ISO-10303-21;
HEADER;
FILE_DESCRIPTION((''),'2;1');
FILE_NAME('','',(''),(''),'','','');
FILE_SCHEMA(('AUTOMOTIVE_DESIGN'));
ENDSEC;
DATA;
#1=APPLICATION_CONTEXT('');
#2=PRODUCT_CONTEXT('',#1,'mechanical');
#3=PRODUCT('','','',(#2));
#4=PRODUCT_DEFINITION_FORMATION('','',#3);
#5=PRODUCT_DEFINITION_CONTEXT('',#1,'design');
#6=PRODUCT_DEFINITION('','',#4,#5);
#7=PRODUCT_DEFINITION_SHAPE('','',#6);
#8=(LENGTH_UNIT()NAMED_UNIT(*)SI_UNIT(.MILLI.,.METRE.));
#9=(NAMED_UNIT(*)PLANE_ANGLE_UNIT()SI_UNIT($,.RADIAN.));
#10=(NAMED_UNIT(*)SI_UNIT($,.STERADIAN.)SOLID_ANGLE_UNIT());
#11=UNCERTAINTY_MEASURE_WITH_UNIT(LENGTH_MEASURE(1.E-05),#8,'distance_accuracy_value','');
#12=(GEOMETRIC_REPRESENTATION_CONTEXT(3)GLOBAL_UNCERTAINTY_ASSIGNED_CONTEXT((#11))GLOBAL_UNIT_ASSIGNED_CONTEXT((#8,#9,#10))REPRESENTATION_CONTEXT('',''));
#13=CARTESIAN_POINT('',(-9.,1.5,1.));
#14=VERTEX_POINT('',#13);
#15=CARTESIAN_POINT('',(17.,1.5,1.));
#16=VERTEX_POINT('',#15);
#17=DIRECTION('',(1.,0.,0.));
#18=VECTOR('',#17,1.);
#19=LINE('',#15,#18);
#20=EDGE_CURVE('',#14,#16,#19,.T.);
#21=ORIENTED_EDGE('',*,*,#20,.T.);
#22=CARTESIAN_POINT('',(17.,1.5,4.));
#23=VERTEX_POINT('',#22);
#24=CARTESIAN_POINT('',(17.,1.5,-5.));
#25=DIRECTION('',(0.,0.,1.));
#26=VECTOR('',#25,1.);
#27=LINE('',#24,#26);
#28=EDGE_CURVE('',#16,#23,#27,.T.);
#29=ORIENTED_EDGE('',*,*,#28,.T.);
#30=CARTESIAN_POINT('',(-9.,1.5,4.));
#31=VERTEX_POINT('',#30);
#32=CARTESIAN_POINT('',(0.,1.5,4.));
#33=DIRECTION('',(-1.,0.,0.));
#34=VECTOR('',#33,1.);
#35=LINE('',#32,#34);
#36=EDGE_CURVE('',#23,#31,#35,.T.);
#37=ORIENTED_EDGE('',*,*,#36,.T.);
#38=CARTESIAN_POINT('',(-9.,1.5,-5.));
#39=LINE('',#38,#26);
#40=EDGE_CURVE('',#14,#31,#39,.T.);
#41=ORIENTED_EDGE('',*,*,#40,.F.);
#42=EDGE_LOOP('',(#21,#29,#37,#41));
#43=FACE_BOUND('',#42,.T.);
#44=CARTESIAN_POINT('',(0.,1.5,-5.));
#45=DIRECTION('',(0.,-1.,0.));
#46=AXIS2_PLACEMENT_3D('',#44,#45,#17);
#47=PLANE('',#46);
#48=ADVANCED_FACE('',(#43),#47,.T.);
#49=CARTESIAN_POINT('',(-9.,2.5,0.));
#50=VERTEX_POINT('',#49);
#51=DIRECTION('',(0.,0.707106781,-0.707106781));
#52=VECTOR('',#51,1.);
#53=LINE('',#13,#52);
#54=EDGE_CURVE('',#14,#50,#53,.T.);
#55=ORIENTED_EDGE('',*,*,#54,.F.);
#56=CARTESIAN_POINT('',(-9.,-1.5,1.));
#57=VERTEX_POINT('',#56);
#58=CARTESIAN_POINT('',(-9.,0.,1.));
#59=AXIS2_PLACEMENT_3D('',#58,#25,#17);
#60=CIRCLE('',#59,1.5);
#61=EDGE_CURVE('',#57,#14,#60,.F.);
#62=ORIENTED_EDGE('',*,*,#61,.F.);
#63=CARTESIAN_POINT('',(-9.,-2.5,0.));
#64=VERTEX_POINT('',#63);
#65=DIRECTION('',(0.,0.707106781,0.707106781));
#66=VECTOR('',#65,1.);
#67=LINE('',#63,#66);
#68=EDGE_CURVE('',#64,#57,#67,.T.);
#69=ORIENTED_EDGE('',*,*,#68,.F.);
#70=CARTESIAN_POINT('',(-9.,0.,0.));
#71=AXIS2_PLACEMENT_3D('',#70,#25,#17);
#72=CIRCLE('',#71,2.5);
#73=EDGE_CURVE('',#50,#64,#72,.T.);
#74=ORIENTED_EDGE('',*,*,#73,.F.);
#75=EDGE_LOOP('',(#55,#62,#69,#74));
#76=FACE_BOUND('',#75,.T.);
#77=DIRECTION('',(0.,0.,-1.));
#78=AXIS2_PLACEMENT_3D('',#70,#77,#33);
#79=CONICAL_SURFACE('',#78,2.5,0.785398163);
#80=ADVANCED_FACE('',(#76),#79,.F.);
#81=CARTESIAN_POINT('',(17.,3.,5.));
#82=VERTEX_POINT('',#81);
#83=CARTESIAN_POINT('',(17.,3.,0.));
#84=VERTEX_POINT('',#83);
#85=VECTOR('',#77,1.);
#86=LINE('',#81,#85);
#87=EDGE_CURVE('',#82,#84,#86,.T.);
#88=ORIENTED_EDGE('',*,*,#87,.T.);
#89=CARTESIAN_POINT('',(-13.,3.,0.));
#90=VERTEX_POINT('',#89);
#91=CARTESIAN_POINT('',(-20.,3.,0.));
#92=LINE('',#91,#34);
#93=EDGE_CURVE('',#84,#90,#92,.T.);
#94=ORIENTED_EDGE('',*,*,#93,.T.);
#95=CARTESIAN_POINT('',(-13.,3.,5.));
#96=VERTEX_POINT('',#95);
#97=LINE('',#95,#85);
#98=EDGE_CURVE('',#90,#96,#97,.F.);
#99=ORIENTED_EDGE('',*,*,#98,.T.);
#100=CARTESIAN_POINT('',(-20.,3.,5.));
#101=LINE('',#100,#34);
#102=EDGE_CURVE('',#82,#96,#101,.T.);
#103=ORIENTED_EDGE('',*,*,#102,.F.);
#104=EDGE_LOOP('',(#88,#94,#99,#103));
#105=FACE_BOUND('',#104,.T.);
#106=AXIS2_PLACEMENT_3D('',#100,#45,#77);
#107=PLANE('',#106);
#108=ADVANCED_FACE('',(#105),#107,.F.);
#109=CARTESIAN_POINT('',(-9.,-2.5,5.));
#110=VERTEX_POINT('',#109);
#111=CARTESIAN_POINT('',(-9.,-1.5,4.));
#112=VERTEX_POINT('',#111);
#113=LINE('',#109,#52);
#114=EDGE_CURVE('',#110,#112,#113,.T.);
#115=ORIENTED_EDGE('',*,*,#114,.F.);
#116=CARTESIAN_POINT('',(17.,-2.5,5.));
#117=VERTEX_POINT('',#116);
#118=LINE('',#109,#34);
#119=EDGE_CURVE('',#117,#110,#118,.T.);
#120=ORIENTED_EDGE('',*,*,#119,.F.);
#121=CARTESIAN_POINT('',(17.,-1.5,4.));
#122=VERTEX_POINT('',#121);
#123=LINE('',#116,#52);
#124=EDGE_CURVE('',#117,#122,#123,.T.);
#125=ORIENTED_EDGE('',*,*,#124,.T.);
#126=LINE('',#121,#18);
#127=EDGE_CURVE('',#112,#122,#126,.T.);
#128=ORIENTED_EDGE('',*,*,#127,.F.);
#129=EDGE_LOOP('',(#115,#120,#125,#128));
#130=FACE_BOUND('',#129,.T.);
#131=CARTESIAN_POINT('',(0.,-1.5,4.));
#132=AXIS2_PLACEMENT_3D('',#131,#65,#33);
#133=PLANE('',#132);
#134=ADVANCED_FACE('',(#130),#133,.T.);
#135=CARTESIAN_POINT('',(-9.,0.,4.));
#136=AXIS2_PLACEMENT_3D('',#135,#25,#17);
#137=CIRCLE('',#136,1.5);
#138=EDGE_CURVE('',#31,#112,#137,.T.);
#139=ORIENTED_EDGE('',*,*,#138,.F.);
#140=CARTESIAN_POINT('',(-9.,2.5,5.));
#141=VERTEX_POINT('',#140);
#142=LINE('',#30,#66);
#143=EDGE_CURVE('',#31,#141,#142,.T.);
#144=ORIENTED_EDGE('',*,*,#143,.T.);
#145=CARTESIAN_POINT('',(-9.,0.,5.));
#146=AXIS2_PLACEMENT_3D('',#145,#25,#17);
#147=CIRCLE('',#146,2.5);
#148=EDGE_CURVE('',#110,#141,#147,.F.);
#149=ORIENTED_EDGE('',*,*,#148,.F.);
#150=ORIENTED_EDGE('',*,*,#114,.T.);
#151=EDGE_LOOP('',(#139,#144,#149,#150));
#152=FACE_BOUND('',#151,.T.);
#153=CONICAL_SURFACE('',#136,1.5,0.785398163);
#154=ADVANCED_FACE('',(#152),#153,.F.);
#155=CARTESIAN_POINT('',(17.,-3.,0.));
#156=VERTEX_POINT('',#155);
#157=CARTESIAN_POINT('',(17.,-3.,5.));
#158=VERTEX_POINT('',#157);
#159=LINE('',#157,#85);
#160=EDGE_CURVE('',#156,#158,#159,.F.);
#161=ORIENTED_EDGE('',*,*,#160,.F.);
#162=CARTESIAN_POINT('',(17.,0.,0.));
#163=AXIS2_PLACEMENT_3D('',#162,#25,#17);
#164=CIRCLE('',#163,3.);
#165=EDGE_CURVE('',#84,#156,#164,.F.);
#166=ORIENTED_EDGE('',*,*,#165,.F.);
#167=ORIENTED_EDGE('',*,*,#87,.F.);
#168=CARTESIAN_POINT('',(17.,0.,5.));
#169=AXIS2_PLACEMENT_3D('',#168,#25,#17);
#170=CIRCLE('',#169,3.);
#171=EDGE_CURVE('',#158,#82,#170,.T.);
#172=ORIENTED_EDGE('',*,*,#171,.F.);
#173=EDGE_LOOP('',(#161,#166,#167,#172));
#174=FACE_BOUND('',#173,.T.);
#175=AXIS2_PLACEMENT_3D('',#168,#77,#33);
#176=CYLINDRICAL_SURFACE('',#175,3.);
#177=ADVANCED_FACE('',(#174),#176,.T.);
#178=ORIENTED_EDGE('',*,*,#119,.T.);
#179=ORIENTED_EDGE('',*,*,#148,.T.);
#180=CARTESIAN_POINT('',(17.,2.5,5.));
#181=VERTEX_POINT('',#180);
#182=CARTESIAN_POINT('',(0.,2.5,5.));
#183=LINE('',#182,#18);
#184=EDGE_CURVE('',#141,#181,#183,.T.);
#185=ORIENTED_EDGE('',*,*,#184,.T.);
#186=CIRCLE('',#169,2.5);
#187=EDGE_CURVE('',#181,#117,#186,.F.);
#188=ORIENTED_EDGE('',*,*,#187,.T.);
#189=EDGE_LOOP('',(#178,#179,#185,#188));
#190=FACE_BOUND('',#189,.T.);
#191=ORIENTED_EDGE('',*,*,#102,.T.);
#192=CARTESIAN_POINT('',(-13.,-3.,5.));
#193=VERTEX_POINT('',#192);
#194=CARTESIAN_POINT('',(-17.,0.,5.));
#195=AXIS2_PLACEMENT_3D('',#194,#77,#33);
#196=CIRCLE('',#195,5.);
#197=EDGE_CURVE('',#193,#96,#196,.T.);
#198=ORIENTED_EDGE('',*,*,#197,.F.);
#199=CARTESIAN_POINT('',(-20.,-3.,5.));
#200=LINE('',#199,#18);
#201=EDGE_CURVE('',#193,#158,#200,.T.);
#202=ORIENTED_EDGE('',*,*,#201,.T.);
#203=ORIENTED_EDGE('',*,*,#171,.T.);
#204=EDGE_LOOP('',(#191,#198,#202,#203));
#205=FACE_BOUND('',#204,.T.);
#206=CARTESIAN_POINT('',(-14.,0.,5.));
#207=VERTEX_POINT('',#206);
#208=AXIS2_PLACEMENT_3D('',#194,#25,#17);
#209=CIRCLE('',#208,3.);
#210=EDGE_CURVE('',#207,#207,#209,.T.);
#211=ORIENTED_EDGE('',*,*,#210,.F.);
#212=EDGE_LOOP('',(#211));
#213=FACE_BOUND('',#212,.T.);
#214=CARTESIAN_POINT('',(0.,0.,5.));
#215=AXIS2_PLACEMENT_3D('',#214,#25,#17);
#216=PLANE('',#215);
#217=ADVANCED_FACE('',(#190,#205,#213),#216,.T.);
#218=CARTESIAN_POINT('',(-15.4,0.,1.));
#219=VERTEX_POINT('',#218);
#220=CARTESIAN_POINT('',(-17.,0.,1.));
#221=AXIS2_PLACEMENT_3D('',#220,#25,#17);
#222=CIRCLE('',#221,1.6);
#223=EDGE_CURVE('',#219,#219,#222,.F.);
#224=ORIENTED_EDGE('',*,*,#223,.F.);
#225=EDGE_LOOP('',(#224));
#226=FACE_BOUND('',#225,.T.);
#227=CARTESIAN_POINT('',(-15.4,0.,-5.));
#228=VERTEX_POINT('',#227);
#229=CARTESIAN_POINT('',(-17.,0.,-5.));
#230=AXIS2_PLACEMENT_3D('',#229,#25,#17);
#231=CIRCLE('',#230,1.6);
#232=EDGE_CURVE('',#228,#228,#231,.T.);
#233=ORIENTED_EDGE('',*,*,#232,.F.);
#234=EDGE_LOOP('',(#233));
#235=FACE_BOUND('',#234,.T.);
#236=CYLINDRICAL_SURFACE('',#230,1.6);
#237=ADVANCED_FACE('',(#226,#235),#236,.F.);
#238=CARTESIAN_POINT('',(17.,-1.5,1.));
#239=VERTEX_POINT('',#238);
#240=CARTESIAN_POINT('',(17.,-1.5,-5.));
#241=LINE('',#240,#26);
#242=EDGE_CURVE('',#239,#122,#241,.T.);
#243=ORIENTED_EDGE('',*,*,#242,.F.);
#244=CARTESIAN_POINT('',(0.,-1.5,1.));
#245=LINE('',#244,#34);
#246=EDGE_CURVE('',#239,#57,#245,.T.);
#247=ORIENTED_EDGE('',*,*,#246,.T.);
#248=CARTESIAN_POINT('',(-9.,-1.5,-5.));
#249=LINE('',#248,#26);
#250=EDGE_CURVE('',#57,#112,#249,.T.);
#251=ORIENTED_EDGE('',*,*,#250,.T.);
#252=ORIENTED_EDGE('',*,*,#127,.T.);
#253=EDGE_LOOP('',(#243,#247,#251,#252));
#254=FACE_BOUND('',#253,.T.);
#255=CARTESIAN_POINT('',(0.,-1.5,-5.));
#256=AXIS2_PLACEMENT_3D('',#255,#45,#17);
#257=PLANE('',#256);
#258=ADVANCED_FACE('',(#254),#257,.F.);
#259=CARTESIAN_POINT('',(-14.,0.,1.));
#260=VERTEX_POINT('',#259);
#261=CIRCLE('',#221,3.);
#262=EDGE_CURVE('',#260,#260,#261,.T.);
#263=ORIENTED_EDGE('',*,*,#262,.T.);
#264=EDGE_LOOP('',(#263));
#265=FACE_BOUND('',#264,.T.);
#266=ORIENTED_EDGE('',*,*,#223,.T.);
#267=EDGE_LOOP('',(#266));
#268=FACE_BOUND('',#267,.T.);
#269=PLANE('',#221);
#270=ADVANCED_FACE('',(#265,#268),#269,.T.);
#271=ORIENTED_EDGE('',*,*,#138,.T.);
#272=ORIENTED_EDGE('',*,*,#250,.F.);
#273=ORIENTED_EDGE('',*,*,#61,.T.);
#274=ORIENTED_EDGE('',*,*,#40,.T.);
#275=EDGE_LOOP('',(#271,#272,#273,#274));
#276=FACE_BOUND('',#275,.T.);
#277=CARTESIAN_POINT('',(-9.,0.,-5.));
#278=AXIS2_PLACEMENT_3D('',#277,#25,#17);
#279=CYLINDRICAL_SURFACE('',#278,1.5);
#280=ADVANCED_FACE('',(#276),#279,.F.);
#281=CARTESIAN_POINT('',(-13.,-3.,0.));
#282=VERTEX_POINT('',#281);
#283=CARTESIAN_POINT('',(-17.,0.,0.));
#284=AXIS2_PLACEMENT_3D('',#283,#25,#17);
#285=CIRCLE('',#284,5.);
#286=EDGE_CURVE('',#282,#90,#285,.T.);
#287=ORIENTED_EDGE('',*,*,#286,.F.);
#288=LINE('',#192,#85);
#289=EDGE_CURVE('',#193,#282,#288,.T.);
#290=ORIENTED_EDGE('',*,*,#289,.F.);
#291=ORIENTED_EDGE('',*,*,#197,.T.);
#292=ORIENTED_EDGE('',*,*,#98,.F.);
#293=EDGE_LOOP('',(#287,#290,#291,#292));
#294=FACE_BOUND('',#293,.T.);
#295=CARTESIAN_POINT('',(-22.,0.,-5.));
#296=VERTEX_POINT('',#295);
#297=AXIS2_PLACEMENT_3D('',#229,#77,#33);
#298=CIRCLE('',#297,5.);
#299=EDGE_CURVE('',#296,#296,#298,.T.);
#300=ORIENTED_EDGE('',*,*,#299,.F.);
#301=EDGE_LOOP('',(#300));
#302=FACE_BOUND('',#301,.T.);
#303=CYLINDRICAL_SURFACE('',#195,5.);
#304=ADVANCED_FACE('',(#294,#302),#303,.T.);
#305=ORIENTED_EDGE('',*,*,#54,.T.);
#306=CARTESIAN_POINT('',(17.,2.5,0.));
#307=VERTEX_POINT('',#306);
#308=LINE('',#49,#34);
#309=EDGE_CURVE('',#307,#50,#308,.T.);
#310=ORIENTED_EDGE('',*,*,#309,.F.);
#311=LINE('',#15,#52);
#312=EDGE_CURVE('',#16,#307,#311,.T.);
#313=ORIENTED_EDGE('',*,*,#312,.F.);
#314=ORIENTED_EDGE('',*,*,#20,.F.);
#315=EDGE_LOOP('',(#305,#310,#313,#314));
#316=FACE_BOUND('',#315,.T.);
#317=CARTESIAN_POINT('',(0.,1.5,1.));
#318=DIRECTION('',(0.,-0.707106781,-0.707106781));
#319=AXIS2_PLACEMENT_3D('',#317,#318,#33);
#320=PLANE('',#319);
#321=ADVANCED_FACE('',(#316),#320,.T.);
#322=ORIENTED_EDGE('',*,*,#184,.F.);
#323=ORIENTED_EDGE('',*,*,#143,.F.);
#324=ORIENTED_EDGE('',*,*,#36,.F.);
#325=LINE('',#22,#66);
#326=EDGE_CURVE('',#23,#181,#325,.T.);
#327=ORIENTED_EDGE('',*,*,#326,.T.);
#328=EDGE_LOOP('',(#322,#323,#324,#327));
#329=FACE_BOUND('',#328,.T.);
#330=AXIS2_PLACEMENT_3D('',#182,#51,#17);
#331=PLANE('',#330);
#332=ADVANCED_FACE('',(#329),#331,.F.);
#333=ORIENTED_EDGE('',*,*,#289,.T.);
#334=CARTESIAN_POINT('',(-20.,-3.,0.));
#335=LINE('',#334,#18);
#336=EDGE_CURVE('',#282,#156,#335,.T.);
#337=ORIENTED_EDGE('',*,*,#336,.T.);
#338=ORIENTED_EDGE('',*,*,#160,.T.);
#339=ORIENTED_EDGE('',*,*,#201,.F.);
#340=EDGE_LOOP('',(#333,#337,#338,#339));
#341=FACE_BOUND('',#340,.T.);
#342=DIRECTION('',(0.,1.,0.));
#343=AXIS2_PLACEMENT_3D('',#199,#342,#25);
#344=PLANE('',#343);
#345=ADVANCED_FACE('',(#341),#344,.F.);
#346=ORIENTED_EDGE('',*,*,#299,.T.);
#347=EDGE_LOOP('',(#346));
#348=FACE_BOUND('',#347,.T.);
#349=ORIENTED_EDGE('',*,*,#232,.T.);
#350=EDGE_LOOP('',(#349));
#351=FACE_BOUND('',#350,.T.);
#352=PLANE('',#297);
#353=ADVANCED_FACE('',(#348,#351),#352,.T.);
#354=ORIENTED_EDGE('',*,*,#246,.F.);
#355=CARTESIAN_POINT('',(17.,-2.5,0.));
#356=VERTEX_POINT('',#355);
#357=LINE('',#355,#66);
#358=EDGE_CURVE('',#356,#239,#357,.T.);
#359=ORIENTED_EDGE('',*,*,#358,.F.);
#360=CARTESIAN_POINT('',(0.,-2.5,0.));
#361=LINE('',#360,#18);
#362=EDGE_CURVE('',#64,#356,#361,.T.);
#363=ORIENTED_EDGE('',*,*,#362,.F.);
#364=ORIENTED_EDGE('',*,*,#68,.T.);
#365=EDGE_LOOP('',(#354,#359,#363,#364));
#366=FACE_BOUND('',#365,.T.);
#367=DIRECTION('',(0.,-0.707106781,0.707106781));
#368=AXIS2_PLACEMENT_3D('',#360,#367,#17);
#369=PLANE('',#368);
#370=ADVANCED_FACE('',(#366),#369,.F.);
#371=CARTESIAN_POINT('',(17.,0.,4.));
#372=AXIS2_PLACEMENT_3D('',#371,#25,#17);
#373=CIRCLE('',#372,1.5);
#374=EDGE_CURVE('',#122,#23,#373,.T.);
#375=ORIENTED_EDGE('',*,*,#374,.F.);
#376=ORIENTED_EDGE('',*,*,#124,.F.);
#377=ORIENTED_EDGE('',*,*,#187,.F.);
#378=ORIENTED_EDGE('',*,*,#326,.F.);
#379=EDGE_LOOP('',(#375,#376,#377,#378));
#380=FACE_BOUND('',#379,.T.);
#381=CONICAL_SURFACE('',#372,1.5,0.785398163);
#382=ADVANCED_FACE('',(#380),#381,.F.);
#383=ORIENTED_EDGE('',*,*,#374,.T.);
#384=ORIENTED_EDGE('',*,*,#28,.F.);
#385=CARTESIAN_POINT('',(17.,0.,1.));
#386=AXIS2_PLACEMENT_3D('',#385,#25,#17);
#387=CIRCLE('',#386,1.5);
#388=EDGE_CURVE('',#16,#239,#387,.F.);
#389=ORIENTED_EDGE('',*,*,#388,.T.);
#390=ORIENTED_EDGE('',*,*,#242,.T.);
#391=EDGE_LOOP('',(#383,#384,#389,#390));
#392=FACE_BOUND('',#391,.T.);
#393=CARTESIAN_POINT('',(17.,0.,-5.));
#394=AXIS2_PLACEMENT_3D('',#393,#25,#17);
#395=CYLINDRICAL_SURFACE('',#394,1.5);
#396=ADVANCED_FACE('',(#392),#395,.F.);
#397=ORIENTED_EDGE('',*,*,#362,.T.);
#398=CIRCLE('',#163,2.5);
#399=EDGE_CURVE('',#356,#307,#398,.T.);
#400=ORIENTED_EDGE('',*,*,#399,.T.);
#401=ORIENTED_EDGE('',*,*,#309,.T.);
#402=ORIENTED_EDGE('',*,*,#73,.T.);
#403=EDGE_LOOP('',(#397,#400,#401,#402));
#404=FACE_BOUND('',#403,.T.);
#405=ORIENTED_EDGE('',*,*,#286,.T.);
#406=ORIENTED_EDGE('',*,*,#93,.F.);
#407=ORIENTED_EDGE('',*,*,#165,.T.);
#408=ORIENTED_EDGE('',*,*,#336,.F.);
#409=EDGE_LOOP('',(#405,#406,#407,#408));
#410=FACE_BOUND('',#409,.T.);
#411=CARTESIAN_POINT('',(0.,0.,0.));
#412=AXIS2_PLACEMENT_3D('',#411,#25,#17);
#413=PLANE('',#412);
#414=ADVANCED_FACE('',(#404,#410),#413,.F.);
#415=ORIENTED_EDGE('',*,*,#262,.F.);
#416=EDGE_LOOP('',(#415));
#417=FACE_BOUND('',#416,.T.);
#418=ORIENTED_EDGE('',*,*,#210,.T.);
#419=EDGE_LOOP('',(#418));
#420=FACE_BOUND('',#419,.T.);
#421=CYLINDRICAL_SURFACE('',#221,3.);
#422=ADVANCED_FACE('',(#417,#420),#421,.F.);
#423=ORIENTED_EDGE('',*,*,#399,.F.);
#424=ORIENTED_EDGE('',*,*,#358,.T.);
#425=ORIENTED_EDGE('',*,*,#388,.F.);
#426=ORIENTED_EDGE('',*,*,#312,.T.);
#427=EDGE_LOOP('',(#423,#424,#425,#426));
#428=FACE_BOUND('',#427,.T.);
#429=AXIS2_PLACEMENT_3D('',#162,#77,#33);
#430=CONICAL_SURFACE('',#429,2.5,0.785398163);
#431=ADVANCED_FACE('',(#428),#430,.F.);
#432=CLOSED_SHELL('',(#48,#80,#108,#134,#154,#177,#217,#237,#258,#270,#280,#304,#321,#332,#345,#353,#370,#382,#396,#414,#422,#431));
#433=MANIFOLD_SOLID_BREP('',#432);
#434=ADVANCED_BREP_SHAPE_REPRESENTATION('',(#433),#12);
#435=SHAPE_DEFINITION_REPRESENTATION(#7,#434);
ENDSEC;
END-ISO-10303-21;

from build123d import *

# Parameters (mm, degrees)
SKETCH_1_W          = 40
SKETCH_1_H          = 6
EXTRUDE_1_DEPTH     = 5
SKETCH_3_R          = 3
EXTRUDE_2_DEPTH     = 5
CUT_EXTRUDE_1_DEPTH = 21.832666656
FILLET_1_RADIUS     = 3
FILLET_1_LENGTH     = 5
SKETCH_5_R          = 1.5
CUT_EXTRUDE_2_DEPTH = 23.561028345
SKETCH_6_R          = 2.5
CUT_EXTRUDE_3_DEPTH = 3
CHAMFER_2_SIZE      = 1
SKETCH_7_R          = 4
EXTRUDE_3_DEPTH     = 10
SKETCH_8_R          = 1.5
CUT_EXTRUDE_4_DEPTH = 24.600847442
SKETCH_9_R          = 3
CUT_EXTRUDE_5_DEPTH = 2
SKETCH_10_R         = 1.6
CUT_EXTRUDE_6_DEPTH = 24.600847442
EXTRUDE_START       = -10
SKETCH_11_R         = 5
SKETCH_11_R_2       = 1.6
EXTRUDE_4_DEPTH     = 10
SKETCH_12_R         = 3
CUT_EXTRUDE_7_DEPTH = 4


with BuildPart() as part:
    # Эскиз1 → Бобышка-Вытянуть1 (new body)
    with BuildSketch(Plane.XY):
        Rectangle(SKETCH_1_W, SKETCH_1_H)
    extrude(amount=EXTRUDE_1_DEPTH)

    # Эскиз3 → Бобышка-Вытянуть2 (add)
    with BuildSketch(Plane(origin=(0, 0, 0), x_dir=(-1, 0, 0), z_dir=(0, 0, -1))):
        with Locations((17, 0)):
            Circle(SKETCH_3_R)
    extrude(amount=EXTRUDE_2_DEPTH)

    # Эскиз4 → Вырез-Вытянуть1 (cut, through all)
    with BuildSketch(Plane(origin=(0, 0, 0), x_dir=(-1, 0, 0), z_dir=(0, 0, -1))):
        with BuildLine():
            Line((20, 3), (17, 3))
            ThreePointArc((17, 3), (19.121320344, 2.121320344), (20, 0))
            Line((20, 0), (20, 3))
        make_face()
        with BuildLine():
            Line((20, -3), (20, 0))
            ThreePointArc((20, 0), (19.121320344, -2.121320344), (17, -3))
            Line((17, -3), (20, -3))
        make_face()
    extrude(amount=-CUT_EXTRUDE_1_DEPTH, mode=Mode.SUBTRACT)

    # Скругление1: full round fillet: the end face becomes a half cylinder, R = half its width
    fillet_1_face = Plane((20, 0, 2.5), x_dir=(0, 0, -1), z_dir=(1, 0, 0))  # on the end face: x along it, z out of the body
    fillet_1_slab = fillet_1_face.offset(-FILLET_1_RADIUS / 2) * Box(FILLET_1_LENGTH, 2 * FILLET_1_RADIUS, FILLET_1_RADIUS, mode=Mode.PRIVATE)  # the body's end, R deep
    fillet_1_round = Plane((17, 0, 2.5), x_dir=(1, 0, 0), z_dir=(0, 0, -1)) * Cylinder(FILLET_1_RADIUS, FILLET_1_LENGTH, mode=Mode.PRIVATE)  # its axis R under the face
    add(fillet_1_slab - fillet_1_round, mode=Mode.SUBTRACT)

    # Эскиз5 → Вырез-Вытянуть2 (cut, through all)
    with BuildSketch(Plane.XY.offset(5)):
        with Locations((-17, 0)):
            Circle(SKETCH_5_R)
        with BuildLine():
            Line((-9, 1.5), (17, 1.5))
            ThreePointArc((17, 1.5), (18.5, 0), (17, -1.5))
            Line((17, -1.5), (-9, -1.5))
            ThreePointArc((-9, -1.5), (-10.5, 0), (-9, 1.5))
        make_face()
    extrude(amount=-CUT_EXTRUDE_2_DEPTH, mode=Mode.SUBTRACT)

    # Эскиз6 → Вырез-Вытянуть3 (cut)
    with BuildSketch(Plane.XY.offset(5)):
        with Locations((-17, 0)):
            Circle(SKETCH_6_R)
    extrude(amount=-CUT_EXTRUDE_3_DEPTH, mode=Mode.SUBTRACT)

    # Фаска2
    chamfer_2_edges = [part.edges().sort_by_distance(p)[0] for p in [
        (4, -1.5, 0),
        (18.5, 0, 0),
        (4, 1.5, 0),
        (-10.5, 0, 0),
        (4, 1.5, 5),
        (-10.5, 0, 5),
        (4, -1.5, 5),
        (18.5, 0, 5),
    ]]
    chamfer(chamfer_2_edges, length=CHAMFER_2_SIZE)

    # Эскиз7 → Бобышка-Вытянуть3 (add)
    with BuildSketch(Plane.XY.offset(5)):
        with Locations((-17, 0)):
            Circle(SKETCH_7_R)
    extrude(amount=-EXTRUDE_3_DEPTH)

    # Эскиз8 → Вырез-Вытянуть4 (cut, through all)
    with BuildSketch(Plane.XY.offset(5)):
        with Locations((-17, 0)):
            Circle(SKETCH_8_R)
    extrude(amount=-CUT_EXTRUDE_4_DEPTH, mode=Mode.SUBTRACT)

    # Эскиз9 → Вырез-Вытянуть5 (cut)
    with BuildSketch(Plane.XY.offset(5)):
        with Locations((-17, 0)):
            Circle(SKETCH_9_R)
    extrude(amount=-CUT_EXTRUDE_5_DEPTH, mode=Mode.SUBTRACT)

    # Эскиз10 → Вырез-Вытянуть6 (cut, through all)
    with BuildSketch(Plane.XY.offset(5)):
        with Locations((-17, 0)):
            Circle(SKETCH_10_R)
    extrude(amount=-CUT_EXTRUDE_6_DEPTH, mode=Mode.SUBTRACT)

    # Эскиз11 → Бобышка-Вытянуть4 (add)
    with BuildSketch(Plane(origin=(0, 0, -5), x_dir=(-1, 0, 0), z_dir=(0, 0, -1)).offset(EXTRUDE_START)):
        with Locations((17, 0)):
            Circle(SKETCH_11_R)
        with Locations(Location((17, 0, 0), (0, 0, 180))):
            Circle(SKETCH_11_R_2, mode=Mode.SUBTRACT)
    extrude(amount=EXTRUDE_4_DEPTH)

    # Эскиз12 → Вырез-Вытянуть7 (cut)
    with BuildSketch(Plane.XY.offset(5)):
        with Locations((-17, 0)):
            Circle(SKETCH_12_R)
    extrude(amount=-CUT_EXTRUDE_7_DEPTH, mode=Mode.SUBTRACT)


solid = part.part
